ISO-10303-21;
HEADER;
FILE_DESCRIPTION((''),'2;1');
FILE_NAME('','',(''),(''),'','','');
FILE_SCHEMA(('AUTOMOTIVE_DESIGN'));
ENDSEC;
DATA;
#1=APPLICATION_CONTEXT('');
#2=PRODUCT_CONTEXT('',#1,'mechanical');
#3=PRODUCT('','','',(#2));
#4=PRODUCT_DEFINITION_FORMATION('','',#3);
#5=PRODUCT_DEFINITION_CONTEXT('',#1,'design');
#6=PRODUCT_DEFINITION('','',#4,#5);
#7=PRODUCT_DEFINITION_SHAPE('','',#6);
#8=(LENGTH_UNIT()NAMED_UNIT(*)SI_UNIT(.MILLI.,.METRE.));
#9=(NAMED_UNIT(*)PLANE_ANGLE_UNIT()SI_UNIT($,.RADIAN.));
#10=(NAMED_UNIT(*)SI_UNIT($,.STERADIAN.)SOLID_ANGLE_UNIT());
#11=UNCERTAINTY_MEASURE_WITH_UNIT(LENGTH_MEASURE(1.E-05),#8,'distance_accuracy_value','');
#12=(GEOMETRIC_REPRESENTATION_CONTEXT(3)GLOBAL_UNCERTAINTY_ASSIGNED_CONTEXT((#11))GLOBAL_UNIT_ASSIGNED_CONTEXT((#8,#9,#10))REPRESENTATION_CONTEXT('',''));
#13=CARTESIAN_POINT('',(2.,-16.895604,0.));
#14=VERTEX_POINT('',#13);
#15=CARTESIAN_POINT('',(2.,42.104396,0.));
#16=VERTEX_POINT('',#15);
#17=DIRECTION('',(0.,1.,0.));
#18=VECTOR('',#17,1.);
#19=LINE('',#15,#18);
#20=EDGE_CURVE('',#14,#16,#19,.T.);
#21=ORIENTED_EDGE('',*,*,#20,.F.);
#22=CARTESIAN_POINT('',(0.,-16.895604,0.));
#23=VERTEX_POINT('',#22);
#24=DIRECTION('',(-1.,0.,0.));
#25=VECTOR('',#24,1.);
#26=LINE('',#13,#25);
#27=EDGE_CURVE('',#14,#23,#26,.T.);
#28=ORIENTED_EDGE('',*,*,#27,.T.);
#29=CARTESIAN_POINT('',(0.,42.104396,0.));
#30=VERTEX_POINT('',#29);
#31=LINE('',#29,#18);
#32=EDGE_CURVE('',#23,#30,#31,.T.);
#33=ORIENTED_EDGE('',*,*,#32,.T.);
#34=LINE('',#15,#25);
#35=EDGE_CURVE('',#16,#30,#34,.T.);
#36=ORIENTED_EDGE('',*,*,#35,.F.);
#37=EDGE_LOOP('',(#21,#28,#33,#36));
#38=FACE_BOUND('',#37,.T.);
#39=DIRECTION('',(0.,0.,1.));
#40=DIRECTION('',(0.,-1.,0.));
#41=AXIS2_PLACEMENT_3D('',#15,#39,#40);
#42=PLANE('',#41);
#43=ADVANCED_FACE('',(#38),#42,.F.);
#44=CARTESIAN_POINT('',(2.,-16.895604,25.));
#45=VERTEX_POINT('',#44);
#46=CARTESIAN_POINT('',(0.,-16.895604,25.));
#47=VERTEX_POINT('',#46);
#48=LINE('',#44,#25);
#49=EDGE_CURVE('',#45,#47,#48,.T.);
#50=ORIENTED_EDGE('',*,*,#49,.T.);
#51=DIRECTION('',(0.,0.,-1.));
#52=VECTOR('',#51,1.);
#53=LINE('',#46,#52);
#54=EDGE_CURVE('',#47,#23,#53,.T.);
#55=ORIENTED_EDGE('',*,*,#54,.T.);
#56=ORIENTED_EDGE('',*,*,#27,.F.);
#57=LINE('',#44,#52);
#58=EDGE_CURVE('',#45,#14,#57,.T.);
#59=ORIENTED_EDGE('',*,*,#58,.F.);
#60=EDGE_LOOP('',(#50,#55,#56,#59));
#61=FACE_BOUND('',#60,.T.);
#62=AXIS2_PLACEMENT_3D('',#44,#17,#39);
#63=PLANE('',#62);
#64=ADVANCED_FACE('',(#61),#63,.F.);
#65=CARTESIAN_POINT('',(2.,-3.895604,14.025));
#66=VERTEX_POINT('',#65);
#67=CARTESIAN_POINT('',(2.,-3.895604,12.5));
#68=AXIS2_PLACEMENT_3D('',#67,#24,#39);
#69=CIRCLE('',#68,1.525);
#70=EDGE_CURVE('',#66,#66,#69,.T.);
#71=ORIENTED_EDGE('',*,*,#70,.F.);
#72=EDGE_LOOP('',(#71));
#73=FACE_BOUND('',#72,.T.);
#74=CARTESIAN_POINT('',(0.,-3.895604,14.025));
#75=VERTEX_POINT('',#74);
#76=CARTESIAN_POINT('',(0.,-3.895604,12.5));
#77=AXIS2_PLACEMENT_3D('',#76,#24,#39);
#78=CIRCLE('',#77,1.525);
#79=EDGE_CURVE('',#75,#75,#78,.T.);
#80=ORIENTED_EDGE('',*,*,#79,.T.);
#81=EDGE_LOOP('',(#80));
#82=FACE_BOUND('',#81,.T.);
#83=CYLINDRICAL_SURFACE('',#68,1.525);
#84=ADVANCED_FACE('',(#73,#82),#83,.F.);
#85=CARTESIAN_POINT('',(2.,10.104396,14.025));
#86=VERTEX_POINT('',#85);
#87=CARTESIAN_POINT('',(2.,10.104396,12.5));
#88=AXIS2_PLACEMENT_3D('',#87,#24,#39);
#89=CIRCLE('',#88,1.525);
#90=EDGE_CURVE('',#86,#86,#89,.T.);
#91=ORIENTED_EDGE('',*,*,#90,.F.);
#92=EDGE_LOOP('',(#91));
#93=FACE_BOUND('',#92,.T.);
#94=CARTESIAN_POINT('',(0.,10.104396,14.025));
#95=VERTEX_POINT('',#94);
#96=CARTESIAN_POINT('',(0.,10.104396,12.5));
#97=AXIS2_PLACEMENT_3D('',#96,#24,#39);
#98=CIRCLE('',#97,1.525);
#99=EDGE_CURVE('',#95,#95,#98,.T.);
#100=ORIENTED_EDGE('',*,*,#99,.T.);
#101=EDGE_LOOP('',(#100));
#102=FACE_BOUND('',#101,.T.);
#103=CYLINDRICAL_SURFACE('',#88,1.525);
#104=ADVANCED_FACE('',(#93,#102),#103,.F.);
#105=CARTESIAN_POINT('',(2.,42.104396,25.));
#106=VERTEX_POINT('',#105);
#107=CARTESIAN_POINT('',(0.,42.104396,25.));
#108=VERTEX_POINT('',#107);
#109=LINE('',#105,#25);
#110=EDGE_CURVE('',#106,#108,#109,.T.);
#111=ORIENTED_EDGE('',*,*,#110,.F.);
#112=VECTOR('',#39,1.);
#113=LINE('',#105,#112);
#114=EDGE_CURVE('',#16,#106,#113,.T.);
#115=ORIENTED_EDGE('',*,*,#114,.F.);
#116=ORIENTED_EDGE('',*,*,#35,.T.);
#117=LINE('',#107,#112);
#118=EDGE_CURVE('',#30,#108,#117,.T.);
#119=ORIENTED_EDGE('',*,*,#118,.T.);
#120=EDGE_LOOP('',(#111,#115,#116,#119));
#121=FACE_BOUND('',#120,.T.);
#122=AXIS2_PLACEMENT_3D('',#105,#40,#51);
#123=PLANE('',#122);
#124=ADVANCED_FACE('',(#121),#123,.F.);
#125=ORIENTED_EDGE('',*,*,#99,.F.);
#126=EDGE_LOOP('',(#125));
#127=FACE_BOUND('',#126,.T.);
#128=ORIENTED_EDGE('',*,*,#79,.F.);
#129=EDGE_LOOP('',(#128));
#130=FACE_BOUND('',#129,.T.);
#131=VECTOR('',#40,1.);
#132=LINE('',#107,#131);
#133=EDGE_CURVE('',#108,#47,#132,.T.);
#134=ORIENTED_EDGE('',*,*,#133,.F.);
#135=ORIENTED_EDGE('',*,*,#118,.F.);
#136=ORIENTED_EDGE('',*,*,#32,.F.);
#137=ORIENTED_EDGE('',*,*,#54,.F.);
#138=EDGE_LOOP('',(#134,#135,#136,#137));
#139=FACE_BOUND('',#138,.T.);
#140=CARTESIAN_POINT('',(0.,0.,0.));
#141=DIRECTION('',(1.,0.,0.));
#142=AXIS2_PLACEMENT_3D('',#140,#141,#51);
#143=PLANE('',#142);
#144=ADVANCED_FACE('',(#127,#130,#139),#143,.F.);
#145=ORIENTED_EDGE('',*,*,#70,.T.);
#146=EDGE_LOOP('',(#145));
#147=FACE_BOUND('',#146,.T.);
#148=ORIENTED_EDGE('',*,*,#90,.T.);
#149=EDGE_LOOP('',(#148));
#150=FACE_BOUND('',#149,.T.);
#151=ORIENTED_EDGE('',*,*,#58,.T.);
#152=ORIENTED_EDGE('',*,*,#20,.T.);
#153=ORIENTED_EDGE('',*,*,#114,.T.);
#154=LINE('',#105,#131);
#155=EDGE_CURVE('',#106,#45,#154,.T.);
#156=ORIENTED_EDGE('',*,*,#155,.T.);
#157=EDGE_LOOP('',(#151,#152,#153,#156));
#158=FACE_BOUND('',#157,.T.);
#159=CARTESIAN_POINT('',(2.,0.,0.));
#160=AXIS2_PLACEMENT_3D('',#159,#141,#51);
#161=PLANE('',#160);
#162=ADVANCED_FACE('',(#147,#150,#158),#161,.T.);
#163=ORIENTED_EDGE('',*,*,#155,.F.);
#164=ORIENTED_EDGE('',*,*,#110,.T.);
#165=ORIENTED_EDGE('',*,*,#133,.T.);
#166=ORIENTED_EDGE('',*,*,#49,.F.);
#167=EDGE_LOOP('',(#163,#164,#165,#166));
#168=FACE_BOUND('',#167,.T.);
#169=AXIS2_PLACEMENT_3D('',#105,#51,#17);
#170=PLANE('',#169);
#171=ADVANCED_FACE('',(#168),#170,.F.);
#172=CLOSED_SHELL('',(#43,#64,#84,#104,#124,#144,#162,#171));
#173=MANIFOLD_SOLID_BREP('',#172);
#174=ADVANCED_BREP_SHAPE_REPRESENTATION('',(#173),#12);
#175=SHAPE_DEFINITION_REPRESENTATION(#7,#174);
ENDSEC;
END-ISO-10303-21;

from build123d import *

# Parameters (mm, degrees)
SKETCH1_W           = 25
SKETCH1_H           = 59
BOSS_EXTRUDE1_DEPTH = 2
SKETCH3_R           = 1.525
CUT_EXTRUDE1_DEPTH  = 3


with BuildPart() as part:
    # Sketch1 → Boss-Extrude1 (new body)
    with BuildSketch(Plane(origin=(0, 0, 0), x_dir=(0, 0, -1), z_dir=(1, 0, 0))):
        with Locations((-12.5, 12.604395604)):
            Rectangle(SKETCH1_W, SKETCH1_H)
    extrude(amount=BOSS_EXTRUDE1_DEPTH)

    # Sketch3 → Cut-Extrude1 (cut, through all)
    with BuildSketch(Plane.ZY):
        with Locations((12.5, -3.895604396)):
            Circle(SKETCH3_R)
        with Locations((12.5, 10.104395604)):
            Circle(SKETCH3_R)
    extrude(amount=-CUT_EXTRUDE1_DEPTH, mode=Mode.SUBTRACT)


solid = part.part
